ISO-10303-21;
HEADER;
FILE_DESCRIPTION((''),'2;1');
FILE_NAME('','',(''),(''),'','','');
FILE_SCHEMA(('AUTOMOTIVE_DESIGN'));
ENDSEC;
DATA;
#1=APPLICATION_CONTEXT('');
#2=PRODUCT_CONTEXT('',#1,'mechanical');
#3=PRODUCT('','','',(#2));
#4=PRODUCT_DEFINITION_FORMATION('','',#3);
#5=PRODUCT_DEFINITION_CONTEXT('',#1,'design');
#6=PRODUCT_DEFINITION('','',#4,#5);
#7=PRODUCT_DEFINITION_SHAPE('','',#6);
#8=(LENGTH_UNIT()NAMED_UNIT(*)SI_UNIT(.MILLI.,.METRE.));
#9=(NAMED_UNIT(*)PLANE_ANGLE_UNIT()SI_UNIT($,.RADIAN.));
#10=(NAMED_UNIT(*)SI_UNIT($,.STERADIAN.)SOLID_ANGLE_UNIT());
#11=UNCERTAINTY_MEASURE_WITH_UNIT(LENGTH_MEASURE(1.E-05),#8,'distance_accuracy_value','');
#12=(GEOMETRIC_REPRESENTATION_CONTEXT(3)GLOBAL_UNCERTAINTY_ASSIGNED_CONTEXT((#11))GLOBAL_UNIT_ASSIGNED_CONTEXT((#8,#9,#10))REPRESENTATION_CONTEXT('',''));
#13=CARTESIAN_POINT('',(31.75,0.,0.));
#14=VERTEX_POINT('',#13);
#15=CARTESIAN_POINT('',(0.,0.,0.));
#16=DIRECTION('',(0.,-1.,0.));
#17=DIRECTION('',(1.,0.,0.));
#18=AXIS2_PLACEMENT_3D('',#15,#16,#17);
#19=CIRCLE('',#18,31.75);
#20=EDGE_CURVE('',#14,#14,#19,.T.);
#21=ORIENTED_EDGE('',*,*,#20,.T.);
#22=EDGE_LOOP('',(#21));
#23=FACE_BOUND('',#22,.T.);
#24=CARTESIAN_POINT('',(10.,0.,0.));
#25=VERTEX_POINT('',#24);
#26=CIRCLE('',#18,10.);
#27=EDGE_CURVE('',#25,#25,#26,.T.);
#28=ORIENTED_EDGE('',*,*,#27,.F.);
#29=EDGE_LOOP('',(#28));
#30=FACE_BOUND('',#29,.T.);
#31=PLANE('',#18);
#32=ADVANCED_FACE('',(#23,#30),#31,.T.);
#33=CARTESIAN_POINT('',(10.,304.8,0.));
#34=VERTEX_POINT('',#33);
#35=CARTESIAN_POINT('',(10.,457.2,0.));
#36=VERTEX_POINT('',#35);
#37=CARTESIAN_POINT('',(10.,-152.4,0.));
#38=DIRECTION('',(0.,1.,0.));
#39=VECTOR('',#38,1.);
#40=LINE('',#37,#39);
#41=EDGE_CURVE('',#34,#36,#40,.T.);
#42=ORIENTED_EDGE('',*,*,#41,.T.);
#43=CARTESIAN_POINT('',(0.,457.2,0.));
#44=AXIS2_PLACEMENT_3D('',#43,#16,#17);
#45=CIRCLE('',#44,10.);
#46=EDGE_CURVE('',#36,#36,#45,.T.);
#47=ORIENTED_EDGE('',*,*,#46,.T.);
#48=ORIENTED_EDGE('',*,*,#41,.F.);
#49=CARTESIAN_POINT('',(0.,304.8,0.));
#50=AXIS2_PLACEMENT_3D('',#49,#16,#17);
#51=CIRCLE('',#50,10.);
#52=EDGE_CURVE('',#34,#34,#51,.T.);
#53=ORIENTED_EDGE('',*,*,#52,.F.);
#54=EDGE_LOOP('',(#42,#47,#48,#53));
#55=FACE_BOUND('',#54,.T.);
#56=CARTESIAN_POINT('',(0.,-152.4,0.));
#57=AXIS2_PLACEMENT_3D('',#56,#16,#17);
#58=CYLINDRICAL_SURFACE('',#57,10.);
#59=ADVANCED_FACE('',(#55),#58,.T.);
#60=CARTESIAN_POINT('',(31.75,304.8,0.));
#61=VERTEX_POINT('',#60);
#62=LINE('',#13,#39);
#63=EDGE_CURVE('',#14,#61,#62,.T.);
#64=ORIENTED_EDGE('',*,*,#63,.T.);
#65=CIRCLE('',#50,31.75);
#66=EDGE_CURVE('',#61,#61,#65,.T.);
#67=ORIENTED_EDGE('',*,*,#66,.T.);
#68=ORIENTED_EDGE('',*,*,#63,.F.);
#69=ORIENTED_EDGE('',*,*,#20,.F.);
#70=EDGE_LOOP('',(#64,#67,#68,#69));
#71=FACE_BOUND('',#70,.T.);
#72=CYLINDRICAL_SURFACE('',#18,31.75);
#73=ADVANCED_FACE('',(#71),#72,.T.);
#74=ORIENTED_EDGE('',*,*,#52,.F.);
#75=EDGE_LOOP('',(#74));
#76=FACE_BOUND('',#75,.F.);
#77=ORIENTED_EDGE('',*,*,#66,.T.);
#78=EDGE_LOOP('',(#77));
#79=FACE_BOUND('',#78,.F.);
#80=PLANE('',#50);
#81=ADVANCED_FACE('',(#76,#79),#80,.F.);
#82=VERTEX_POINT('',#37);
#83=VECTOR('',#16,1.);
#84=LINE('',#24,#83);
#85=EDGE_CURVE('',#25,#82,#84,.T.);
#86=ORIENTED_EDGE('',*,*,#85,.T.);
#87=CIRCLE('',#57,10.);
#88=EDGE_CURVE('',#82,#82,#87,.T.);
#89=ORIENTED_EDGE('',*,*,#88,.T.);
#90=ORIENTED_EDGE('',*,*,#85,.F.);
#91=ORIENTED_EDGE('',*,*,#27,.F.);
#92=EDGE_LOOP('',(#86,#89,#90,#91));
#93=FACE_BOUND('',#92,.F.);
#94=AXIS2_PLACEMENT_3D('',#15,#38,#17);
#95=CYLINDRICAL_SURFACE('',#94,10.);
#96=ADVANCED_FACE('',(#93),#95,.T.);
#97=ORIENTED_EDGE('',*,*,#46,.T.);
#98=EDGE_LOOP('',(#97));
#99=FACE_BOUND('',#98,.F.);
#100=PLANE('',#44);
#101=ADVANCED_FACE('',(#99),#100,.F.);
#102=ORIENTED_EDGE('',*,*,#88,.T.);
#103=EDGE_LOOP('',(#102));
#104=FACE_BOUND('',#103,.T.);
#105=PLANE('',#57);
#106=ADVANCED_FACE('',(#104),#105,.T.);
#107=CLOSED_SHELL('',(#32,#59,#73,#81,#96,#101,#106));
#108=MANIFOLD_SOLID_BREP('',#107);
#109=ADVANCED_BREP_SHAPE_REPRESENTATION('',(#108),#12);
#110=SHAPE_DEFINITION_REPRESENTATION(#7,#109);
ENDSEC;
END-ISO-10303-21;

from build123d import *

# Parameters (mm, degrees)
F0_R     = 31.75
F0_R_2   = 10
F1_DEPTH = 304.8
F2_DEPTH = 152.4
F3_DEPTH = 609.6


with BuildPart() as f1:
    # F0 (on Front) → F1 (new body)
    with BuildSketch(Plane.XZ):
        Circle(F0_R)
        Circle(F0_R_2, mode=Mode.SUBTRACT)
        Circle(F0_R_2)
    extrude(amount=-F1_DEPTH)

    # F0 (on Front) → F2 (join)
    with BuildSketch(Plane.XZ):
        Circle(F0_R_2)
    extrude(amount=F2_DEPTH)

    # F3 (add): a face of the model
    f3_faces = [f1.faces().sort_by_distance(p)[0] for p in [
        (0, -152.4, 0),
    ]]
    extrude(f3_faces, amount=-F3_DEPTH)


solid = f1.part
